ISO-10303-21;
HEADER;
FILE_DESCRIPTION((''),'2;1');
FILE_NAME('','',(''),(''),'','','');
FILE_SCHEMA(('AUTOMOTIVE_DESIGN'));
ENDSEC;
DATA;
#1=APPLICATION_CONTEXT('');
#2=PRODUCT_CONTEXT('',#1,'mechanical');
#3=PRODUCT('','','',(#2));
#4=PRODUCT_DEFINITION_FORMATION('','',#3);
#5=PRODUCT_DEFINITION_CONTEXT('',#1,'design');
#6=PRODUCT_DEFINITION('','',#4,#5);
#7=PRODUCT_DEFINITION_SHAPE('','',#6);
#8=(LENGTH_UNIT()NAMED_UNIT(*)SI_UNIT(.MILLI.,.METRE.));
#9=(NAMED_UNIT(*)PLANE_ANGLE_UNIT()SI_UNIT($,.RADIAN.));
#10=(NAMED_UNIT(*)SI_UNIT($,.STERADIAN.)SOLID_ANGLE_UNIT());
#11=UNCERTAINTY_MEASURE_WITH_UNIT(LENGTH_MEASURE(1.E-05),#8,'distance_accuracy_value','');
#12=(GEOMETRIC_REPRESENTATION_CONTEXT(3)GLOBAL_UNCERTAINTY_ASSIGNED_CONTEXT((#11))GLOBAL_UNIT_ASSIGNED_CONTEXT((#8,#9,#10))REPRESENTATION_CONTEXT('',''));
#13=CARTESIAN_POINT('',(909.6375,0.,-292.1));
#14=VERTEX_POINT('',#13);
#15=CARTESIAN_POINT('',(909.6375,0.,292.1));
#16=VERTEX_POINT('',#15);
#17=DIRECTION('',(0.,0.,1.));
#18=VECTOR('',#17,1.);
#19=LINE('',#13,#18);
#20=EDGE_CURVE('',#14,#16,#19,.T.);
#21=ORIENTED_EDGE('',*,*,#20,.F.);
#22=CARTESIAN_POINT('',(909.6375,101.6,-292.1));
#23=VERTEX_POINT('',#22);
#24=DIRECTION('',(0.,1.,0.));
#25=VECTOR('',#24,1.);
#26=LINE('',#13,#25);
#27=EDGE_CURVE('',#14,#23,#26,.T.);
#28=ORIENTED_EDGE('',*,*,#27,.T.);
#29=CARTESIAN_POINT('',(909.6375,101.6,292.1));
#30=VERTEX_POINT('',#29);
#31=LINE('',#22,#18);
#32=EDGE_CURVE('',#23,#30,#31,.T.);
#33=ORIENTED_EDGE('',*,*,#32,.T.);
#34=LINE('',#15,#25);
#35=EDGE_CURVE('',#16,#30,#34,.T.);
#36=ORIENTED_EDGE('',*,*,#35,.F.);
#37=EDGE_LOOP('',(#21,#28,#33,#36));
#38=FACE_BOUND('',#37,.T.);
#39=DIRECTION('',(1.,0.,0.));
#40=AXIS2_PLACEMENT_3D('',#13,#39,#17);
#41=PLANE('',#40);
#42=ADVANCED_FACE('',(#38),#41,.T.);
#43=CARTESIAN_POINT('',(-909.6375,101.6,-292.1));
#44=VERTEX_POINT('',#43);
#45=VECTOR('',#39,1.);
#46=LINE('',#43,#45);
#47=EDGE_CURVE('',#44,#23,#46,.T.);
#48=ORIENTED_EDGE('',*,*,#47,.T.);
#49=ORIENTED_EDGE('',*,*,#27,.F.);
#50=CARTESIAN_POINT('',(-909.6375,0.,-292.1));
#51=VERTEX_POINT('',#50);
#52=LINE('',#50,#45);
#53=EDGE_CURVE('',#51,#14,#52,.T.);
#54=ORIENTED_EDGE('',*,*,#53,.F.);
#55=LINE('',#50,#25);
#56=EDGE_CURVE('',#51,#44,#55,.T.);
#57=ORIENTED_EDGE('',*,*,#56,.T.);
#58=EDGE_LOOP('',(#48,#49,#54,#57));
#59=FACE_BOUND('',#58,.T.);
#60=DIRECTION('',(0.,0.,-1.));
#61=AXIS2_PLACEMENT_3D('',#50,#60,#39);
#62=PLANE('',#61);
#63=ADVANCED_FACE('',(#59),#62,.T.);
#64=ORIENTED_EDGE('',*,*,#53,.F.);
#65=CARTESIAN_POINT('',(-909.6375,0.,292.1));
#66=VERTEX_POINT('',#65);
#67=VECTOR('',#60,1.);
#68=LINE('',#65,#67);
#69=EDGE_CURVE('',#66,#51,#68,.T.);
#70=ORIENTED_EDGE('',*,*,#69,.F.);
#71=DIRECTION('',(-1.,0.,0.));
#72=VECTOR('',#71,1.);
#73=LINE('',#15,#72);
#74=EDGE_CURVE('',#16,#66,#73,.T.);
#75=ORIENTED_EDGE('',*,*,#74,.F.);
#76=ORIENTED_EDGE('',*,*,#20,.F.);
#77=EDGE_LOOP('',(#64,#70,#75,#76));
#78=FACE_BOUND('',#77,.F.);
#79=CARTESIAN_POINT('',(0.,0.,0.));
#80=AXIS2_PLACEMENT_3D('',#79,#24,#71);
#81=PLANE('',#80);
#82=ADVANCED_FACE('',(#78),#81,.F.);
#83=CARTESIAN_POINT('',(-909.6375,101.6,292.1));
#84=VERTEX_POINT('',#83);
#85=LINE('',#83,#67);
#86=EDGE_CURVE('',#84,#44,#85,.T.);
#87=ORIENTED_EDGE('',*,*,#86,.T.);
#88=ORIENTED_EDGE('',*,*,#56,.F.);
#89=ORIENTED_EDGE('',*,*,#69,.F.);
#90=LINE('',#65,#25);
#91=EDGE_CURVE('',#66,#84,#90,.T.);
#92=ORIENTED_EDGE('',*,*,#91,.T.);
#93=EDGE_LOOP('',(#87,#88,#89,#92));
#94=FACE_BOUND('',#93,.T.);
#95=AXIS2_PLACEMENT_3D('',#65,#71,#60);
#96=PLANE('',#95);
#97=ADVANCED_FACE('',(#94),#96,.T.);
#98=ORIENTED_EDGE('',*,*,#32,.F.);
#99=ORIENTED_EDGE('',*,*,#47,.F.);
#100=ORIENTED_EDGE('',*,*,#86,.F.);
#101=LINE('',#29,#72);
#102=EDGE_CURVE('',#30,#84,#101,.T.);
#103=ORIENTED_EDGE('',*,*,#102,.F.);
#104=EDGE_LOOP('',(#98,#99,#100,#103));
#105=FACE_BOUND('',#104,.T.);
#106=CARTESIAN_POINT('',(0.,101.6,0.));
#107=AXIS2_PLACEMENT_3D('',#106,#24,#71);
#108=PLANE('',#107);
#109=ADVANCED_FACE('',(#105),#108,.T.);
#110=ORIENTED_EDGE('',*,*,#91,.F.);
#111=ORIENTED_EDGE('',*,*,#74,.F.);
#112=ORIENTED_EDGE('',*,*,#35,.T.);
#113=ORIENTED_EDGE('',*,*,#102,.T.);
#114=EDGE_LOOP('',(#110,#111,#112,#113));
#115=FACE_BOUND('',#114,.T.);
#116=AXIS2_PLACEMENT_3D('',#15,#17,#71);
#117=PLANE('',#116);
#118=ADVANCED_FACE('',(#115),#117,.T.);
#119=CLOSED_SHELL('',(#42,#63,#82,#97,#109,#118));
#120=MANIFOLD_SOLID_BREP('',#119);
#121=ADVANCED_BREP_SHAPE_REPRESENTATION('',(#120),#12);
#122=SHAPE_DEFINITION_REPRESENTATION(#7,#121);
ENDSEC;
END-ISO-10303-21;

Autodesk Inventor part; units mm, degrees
ref_plane "YZ Plane" through (0, 0, 0) normal (1, 0, 0) x (0, 1, 0)
ref_plane "XZ Plane" through (0, 0, 0) normal (0, 1, 0) x (-1, 0, 0)
ref_plane "XY Plane" through (0, 0, 0) normal (0, 0, 1) x (1, 0, 0)
sketch "Sketch1" plane through (0, 0, 0) normal (0, 1, 0) x (-1, 0, 0)
  line L0 (909.6375, -292.1) -> (-909.6375, -292.1)
  line L1 (-909.6375, -292.1) -> (-909.6375, 292.1)
  line L2 (-909.6375, 292.1) -> (909.6375, 292.1)
  line L3 (909.6375, 292.1) -> (909.6375, -292.1)
  line L4 (909.6375, -292.1) -> (-909.6375, 292.1) construction
  line L5 (-909.6375, -292.1) -> (909.6375, 292.1) construction
  point P0 (0, 0)
  dimension "d0" = 1819.275
  dimension "d1" = 584.2
extrude "Extrusion1" add sketch "Sketch1" along normal blind 101.6
properties part number "8 - cap - 44" material "Granite, Cut, Polished"
